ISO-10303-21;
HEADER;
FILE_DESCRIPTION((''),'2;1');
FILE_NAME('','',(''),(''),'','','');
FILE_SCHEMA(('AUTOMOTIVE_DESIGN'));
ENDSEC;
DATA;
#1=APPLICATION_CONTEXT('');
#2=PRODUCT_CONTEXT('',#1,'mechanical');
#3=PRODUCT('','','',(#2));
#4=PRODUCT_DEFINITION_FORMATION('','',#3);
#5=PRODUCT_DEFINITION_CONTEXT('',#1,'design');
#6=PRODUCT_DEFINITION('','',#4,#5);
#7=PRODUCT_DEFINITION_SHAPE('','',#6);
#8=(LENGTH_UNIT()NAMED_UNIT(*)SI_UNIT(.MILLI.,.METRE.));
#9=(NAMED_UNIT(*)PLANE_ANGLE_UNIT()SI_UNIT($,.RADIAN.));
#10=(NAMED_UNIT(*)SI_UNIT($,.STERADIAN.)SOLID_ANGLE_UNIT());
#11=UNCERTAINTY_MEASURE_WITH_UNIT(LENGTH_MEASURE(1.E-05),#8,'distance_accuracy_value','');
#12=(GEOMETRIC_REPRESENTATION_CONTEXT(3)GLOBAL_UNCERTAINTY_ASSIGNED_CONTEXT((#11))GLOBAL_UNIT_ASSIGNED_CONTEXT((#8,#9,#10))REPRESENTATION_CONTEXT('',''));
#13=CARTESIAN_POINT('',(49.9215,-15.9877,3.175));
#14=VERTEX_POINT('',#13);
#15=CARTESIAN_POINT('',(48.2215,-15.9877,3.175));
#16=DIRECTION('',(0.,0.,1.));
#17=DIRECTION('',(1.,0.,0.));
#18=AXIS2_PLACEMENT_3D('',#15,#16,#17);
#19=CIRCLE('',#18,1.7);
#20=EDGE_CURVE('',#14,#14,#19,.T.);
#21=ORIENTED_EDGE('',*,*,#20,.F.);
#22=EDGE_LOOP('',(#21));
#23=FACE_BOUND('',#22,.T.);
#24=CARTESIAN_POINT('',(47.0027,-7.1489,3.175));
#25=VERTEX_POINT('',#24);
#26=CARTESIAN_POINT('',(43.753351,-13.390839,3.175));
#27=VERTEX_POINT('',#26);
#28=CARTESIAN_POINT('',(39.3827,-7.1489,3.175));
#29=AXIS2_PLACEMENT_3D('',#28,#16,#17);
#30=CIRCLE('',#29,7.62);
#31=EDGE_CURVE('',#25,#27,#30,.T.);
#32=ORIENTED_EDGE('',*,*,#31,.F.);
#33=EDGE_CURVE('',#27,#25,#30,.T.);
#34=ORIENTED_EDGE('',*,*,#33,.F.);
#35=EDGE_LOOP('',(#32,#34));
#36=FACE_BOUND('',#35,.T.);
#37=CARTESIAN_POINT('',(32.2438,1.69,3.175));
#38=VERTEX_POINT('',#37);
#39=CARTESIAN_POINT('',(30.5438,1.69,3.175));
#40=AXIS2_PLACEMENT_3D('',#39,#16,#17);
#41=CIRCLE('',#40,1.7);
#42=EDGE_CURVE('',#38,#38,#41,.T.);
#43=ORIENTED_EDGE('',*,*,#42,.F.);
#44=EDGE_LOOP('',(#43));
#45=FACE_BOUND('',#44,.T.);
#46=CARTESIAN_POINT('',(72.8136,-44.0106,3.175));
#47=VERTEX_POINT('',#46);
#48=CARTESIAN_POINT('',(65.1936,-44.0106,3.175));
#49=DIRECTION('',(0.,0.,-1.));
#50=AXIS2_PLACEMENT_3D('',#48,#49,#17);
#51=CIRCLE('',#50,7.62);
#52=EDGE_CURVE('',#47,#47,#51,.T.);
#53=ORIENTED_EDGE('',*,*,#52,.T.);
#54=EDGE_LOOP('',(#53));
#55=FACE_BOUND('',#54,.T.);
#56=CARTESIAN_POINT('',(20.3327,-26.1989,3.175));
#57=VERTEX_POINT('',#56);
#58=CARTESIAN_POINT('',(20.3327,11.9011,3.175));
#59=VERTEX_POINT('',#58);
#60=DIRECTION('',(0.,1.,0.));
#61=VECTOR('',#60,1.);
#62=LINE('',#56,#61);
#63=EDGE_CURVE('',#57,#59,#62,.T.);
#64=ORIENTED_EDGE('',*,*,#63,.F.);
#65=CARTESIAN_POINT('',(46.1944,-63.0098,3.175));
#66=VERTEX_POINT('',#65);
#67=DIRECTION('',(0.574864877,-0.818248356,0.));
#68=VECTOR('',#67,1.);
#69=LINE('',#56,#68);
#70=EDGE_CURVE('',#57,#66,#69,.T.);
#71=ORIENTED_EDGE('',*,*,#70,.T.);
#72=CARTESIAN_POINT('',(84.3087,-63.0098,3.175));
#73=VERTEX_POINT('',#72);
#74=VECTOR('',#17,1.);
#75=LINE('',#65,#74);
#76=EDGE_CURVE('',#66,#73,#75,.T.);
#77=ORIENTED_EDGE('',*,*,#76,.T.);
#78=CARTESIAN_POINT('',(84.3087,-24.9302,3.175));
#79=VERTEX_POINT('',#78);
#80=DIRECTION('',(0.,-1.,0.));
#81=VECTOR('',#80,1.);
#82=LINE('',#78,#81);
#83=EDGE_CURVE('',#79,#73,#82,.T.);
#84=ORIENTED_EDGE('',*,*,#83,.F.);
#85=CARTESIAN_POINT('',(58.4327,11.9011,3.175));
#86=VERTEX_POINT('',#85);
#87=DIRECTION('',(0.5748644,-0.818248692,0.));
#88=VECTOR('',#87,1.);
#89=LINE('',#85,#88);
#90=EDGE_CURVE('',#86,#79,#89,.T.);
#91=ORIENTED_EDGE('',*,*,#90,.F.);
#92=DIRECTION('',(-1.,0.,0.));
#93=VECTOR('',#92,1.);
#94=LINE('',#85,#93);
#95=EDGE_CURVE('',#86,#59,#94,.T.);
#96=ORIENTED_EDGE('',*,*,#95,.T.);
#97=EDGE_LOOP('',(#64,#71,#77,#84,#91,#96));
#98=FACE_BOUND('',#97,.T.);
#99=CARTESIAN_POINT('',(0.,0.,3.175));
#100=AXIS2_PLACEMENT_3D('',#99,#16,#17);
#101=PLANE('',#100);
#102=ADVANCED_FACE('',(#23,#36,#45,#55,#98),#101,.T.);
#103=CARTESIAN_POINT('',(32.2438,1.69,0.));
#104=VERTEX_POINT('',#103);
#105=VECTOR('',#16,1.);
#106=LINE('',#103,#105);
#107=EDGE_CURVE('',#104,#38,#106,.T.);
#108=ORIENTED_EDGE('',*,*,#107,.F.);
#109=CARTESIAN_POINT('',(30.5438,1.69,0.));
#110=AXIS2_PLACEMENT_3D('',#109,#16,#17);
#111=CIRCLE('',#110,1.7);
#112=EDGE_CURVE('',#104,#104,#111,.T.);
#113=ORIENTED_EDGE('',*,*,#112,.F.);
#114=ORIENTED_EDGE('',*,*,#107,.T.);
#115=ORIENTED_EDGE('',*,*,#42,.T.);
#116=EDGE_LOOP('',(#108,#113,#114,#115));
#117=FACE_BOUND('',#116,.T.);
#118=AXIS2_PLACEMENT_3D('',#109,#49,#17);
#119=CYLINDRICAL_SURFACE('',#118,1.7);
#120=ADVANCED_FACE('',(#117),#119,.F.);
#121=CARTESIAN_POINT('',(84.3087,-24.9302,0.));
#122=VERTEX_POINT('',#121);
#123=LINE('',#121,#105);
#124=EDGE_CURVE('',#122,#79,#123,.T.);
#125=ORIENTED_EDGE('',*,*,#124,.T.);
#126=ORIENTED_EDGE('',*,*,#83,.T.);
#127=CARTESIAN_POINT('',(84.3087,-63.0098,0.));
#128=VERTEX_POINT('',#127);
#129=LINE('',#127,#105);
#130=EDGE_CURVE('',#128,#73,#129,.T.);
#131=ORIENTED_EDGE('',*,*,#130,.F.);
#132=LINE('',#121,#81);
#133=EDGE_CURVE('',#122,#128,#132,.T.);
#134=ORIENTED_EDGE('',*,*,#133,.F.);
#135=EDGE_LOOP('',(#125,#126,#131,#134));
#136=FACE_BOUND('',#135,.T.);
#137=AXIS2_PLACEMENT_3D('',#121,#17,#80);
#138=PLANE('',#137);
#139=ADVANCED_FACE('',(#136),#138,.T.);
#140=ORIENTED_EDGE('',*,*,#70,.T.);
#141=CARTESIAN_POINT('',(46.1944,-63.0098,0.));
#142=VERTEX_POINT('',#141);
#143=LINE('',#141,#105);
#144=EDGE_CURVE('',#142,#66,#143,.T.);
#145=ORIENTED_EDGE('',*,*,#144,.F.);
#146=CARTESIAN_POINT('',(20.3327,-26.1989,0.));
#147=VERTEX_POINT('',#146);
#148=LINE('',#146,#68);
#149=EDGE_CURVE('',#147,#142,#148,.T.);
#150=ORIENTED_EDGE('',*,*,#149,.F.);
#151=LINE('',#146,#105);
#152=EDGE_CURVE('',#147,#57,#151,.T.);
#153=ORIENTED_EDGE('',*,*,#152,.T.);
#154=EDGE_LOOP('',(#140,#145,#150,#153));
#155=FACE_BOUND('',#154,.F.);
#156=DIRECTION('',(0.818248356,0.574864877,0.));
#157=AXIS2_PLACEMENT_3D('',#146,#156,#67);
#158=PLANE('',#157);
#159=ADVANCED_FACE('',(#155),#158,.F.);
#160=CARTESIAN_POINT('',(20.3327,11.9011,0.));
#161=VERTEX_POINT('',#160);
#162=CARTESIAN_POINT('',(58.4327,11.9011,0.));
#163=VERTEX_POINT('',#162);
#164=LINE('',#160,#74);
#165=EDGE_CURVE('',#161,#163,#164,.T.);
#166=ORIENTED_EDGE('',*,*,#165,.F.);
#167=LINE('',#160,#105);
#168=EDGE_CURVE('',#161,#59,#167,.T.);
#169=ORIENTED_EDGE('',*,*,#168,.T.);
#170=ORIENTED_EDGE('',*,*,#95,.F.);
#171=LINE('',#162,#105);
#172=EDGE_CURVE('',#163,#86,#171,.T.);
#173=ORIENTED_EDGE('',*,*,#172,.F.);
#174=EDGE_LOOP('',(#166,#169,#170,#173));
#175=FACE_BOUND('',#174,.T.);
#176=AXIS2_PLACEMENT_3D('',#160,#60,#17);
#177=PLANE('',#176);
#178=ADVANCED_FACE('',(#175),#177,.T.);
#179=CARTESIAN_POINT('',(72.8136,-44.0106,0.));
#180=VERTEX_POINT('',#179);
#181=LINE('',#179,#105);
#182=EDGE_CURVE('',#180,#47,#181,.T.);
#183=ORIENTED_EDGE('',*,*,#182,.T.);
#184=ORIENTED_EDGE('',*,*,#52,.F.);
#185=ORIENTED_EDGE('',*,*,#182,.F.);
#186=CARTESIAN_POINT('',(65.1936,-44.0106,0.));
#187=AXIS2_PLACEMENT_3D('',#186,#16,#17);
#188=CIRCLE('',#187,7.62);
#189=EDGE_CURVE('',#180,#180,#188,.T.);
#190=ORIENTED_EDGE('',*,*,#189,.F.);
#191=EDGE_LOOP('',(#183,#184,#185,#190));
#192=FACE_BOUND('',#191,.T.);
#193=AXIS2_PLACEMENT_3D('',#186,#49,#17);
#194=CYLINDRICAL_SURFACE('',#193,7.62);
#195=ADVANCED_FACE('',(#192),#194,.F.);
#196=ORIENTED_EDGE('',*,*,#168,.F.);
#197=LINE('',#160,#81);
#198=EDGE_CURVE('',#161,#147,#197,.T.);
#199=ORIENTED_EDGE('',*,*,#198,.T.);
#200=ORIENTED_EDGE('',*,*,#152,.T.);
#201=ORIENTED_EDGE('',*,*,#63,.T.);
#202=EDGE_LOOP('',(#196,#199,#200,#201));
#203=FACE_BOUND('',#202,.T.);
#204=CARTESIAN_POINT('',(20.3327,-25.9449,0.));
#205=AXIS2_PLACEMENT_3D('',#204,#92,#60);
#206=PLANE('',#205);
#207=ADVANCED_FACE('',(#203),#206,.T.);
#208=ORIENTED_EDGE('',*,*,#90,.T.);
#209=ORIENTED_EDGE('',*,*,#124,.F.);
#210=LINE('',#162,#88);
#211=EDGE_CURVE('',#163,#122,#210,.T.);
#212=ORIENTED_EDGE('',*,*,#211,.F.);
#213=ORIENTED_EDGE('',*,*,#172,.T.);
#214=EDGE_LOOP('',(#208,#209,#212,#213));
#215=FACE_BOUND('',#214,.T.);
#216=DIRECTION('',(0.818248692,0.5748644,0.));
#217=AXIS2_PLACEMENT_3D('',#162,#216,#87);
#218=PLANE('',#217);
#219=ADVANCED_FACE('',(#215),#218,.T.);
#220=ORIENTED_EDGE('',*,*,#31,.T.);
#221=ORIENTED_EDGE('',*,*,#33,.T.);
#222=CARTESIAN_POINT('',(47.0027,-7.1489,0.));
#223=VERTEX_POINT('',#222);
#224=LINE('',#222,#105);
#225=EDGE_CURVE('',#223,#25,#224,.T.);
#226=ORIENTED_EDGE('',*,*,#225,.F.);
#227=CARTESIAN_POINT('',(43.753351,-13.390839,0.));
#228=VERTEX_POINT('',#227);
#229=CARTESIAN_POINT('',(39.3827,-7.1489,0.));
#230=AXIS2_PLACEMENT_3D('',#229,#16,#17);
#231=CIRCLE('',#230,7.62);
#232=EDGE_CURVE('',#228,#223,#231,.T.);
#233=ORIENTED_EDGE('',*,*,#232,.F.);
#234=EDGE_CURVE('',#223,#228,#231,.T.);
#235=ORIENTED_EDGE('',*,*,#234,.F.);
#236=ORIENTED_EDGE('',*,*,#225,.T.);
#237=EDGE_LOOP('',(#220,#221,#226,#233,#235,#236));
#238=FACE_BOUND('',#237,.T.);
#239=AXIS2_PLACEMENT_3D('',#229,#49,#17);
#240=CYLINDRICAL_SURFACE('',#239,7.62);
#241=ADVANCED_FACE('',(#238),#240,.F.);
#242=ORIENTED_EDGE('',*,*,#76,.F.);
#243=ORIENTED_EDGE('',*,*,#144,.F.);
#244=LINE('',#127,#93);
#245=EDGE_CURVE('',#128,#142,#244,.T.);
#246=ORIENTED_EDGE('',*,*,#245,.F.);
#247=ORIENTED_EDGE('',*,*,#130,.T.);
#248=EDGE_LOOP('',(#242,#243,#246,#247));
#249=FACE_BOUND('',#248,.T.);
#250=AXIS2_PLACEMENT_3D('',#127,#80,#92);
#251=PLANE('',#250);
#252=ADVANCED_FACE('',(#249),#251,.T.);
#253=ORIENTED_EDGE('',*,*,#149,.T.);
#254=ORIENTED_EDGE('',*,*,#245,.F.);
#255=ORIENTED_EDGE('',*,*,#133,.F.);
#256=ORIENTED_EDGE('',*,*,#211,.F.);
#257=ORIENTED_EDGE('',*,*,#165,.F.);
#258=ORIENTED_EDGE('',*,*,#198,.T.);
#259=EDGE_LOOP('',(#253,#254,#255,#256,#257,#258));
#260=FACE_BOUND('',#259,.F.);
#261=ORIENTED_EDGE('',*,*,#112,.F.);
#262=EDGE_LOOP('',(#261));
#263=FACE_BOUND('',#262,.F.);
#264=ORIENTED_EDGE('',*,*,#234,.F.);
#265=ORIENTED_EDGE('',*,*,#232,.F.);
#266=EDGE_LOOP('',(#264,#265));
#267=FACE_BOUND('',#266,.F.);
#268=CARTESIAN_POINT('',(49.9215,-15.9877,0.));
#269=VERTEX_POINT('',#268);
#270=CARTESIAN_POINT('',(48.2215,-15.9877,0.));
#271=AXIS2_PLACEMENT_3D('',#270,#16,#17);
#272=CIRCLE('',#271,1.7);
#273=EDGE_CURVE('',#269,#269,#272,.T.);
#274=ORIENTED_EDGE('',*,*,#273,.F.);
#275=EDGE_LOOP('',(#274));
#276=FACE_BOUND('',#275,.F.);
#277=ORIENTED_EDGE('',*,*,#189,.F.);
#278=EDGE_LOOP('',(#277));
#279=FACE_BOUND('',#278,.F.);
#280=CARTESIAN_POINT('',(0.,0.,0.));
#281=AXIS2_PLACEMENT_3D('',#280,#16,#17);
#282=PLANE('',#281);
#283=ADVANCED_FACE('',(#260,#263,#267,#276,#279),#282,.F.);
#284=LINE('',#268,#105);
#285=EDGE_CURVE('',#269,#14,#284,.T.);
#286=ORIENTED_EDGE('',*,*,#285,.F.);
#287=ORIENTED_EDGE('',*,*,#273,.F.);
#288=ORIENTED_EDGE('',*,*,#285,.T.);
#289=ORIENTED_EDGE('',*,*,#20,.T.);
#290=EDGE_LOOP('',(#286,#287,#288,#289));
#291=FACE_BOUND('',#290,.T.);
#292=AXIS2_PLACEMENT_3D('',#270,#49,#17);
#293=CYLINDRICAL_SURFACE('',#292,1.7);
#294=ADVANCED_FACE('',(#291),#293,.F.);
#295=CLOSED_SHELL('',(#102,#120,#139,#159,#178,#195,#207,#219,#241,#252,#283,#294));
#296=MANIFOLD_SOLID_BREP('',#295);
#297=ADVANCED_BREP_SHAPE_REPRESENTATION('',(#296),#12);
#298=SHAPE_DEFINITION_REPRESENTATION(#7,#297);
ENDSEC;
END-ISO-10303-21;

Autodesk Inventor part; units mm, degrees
ref_plane "YZ Plane" through (0, 0, 0) normal (1, 0, 0) x (0, 1, 0)
ref_plane "XZ Plane" through (0, 0, 0) normal (0, 1, 0) x (-1, 0, 0)
ref_plane "XY Plane" through (0, 0, 0) normal (0, 0, 1) x (1, 0, 0)
sketch "Sketch1" plane through (0, 0, 0) normal (0, 0, 1) x (1, 0, 0)
  circle A0 centre (30.5438, 1.69) radius 1.7
  circle A1 centre (48.2215, -15.9877) radius 1.7
  line L0 (20.3327, -25.9449) -> (20.3327, 11.6471) projected
  circle A2 centre (39.3827, -7.1489) radius 7.62
  line L1 (39.3827, -7.1489) -> (121.2052, -7.1489) construction
  line L2 (20.3327, 11.9011) -> (58.4327, 11.9011)
  line L3 (39.3827, -7.1489) -> (118.6167, -7.1489) construction
  circle A3 centre (65.1936, -44.0106) radius 7.62
  line L4 (20.3327, 11.9011) -> (90.1827, 11.9011)
  line L5 (90.1827, 11.9011) -> (90.1827, -64.2989)
  line L6 (90.1827, -64.2989) -> (20.3327, -64.2989)
  line L7 (20.3327, -64.2989) -> (20.3327, 11.9011)
  circle A4 centre (65.1936, -44.0106) radius 18.9992
  line L8 (39.3827, -7.1489) -> (98.3795, -91.4051)
  line L9 (39.3827, -7.1489) -> (142.2405, -7.1489) construction
  line L10 (77.3997, -64.2989) -> (39.3827, -64.2989)
  line L11 (20.5867, 11.9011) -> (58.1787, 11.9011) projected
  line L12 (84.3087, -63.0098) -> (46.1944, -63.0098)
  line L13 (84.3087, -24.9302) -> (84.3087, -63.0098)
  line L14 (20.3327, -26.1989) -> (46.1944, -63.0098)
  line L15 (58.4327, 11.9011) -> (84.3087, -24.9302)
  point P0 (0, 0)
  dimension "d3" = 15.24
  dimension "d14" = 10.2112
  dimension "d17" = 27.8888
  dimension "d36" = 38.1
  dimension "d42" = 15.24
  dimension "d43" = 44.9999
  dimension "d51" = 69.85
  dimension "d52" = 76.2
  dimension "d53" = 37.9984
  dimension "d54" = 55
  dimension "d55" = 0
  dimension "d56" = 19.05
  dimension "d57" = 19.05
  dimension "d58" = 0
extrude "Extrusion6" add sketch "Sketch1" along normal blind 3.175 contours L0 L7 L2 L15 L13 L12 L8 A4 L14 | A4 L8 A3 | A4 L8 L12 | A4 L8 A3
equation "\"d57\" = d56"
properties part number "Motor and gearbox panel"
